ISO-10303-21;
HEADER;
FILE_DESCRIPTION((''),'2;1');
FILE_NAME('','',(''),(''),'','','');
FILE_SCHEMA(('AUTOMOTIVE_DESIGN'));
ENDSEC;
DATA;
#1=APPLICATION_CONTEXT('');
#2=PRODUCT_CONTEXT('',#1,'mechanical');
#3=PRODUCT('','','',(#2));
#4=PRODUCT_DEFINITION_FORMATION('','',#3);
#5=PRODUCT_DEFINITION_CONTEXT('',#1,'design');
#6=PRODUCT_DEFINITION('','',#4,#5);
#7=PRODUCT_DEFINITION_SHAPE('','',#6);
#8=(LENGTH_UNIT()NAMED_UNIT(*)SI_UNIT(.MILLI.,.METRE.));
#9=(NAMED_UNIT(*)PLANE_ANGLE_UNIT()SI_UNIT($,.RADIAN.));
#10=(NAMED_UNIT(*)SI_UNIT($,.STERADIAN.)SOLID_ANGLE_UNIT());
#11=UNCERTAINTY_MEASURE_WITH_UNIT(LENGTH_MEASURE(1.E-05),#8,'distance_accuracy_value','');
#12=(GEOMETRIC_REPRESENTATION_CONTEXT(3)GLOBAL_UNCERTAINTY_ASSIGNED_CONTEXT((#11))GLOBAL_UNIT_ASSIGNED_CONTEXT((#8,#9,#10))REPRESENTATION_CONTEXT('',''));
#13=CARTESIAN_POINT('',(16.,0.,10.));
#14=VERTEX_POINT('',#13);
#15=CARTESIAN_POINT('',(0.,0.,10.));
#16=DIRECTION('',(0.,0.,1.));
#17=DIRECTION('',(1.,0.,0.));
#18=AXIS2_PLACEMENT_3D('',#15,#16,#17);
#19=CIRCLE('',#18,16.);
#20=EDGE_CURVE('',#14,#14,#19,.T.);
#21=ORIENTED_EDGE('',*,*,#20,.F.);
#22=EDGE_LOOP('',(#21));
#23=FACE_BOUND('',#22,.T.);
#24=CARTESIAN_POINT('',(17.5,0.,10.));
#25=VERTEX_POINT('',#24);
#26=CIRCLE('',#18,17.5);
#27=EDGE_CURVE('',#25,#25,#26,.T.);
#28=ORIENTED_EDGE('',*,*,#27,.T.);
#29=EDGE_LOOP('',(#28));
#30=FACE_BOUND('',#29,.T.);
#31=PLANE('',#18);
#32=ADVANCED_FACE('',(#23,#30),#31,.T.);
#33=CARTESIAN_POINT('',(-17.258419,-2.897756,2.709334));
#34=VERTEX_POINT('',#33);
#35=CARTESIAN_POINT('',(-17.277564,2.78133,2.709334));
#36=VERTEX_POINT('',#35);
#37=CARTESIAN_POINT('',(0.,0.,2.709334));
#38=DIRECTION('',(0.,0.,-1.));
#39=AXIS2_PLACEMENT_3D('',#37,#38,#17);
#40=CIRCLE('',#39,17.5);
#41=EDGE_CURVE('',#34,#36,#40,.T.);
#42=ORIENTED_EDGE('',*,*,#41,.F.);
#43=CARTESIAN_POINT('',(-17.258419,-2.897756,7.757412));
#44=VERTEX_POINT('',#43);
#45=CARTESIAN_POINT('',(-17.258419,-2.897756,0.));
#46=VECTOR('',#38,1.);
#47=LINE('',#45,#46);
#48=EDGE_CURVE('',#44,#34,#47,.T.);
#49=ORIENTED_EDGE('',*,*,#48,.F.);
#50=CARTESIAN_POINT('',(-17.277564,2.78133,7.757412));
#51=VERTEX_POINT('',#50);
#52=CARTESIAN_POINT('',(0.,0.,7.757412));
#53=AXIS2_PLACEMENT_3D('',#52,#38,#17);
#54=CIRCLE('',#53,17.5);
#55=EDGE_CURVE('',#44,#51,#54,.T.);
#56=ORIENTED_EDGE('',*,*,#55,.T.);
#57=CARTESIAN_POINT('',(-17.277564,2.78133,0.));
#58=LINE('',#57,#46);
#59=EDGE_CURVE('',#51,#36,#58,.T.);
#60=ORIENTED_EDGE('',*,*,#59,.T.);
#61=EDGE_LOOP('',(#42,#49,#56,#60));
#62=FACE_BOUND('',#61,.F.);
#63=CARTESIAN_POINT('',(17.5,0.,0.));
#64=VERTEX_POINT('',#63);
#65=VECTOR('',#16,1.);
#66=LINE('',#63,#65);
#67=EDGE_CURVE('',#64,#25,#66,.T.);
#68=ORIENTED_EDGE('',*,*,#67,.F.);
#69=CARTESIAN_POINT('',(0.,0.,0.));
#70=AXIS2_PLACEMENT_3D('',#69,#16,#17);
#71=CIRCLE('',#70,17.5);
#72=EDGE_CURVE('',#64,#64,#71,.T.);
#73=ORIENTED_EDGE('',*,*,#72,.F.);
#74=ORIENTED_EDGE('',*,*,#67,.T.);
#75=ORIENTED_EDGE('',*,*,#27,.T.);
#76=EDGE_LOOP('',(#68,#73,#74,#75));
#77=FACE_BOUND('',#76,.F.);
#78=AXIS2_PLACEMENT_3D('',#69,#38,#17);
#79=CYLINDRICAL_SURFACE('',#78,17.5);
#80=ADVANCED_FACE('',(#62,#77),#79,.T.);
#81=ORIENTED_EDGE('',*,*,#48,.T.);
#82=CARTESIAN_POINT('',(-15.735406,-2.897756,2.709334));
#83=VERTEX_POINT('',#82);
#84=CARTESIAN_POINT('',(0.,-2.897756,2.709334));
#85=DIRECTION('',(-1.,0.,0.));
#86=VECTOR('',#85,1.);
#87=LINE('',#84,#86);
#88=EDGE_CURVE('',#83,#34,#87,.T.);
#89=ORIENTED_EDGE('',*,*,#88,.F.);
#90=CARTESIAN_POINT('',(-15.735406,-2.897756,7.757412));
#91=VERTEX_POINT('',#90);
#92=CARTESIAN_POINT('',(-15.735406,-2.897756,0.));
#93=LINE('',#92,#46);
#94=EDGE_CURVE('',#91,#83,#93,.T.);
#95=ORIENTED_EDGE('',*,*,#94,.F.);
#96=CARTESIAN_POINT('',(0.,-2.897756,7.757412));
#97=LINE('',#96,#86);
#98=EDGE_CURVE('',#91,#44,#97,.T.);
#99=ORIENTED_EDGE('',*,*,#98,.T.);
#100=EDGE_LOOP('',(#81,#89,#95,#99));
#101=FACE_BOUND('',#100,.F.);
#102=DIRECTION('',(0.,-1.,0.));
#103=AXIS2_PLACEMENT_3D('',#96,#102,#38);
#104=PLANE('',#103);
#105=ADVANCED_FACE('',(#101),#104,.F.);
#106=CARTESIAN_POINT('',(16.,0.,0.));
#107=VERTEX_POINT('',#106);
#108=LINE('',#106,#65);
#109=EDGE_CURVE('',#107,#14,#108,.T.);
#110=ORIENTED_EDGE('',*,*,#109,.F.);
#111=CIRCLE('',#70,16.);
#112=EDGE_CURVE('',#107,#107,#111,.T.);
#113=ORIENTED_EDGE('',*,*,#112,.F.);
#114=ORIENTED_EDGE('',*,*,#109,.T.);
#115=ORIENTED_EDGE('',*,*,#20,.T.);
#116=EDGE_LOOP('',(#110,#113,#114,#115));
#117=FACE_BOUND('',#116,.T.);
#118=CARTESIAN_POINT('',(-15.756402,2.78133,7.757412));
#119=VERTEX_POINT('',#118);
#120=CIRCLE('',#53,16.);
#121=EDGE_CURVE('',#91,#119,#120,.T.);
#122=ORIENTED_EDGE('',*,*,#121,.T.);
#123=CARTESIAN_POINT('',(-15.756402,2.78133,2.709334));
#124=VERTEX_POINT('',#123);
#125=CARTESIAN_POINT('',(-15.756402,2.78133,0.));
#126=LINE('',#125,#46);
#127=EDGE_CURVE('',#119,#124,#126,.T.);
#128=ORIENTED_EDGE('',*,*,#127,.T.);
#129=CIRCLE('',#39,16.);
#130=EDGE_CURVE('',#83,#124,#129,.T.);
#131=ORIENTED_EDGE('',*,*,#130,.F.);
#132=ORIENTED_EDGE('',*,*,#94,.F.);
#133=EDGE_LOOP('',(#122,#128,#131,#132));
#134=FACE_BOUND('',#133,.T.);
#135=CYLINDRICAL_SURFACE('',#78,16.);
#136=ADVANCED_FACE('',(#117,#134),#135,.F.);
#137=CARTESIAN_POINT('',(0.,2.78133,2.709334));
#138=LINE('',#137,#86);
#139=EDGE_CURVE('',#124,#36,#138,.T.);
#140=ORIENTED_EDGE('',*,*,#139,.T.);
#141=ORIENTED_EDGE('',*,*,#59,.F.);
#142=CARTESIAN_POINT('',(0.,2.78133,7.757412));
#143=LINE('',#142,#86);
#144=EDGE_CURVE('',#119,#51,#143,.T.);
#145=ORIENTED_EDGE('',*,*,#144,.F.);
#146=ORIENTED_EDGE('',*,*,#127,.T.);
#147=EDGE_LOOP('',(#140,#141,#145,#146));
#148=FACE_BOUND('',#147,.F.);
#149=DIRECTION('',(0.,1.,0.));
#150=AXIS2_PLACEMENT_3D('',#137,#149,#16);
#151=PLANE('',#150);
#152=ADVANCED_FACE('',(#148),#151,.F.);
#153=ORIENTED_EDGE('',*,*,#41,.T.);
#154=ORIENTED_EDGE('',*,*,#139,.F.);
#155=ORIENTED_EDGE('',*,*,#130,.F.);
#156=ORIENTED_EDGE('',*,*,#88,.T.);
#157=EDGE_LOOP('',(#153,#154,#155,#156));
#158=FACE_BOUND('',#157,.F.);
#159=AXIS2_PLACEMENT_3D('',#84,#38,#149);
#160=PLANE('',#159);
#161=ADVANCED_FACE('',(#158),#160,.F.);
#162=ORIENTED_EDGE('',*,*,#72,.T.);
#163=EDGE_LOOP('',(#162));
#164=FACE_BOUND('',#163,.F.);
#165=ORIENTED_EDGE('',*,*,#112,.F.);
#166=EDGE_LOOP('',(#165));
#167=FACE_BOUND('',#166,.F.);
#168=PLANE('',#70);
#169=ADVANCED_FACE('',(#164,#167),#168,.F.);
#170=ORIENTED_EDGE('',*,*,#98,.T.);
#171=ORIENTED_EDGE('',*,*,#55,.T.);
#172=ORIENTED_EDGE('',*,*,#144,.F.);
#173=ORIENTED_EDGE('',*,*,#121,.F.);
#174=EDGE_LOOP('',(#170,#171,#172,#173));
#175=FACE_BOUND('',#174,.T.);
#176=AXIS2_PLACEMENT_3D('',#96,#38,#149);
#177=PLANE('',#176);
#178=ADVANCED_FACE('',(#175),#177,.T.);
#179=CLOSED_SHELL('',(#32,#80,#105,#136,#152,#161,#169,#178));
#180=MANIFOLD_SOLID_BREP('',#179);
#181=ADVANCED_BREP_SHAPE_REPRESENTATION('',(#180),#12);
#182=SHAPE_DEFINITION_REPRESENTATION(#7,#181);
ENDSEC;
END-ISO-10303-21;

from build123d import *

# Parameters (mm, degrees)
F0_R     = 17.5
F0_R_2   = 16
F1_DEPTH = 10
F2_W     = 5.6790858507
F2_H     = 2.5240386603
F2_H_2   = 1.5144229401
F2_H_3   = 1.0096157202
F3_DEPTH = 25


with BuildPart() as f1:
    # F0 (on Top) → F1 (new body)
    with BuildSketch(Plane.XY):
        Circle(F0_R)
        Circle(F0_R_2, mode=Mode.SUBTRACT)
    extrude(amount=F1_DEPTH)

    # F2 (on Right) → F3 (cut)
    with BuildSketch(Plane.YZ):
        with Locations((-0.0582132488, 6.4953924739)):
            Rectangle(F2_W, F2_H)
        with Locations((-0.0582132488, 3.4665459534)):
            Rectangle(F2_W, F2_H_2)
        with Locations((-0.0582132488, 4.7285652836)):
            Rectangle(F2_W, F2_H_3)
    extrude(amount=-F3_DEPTH, mode=Mode.SUBTRACT)


solid = f1.part
